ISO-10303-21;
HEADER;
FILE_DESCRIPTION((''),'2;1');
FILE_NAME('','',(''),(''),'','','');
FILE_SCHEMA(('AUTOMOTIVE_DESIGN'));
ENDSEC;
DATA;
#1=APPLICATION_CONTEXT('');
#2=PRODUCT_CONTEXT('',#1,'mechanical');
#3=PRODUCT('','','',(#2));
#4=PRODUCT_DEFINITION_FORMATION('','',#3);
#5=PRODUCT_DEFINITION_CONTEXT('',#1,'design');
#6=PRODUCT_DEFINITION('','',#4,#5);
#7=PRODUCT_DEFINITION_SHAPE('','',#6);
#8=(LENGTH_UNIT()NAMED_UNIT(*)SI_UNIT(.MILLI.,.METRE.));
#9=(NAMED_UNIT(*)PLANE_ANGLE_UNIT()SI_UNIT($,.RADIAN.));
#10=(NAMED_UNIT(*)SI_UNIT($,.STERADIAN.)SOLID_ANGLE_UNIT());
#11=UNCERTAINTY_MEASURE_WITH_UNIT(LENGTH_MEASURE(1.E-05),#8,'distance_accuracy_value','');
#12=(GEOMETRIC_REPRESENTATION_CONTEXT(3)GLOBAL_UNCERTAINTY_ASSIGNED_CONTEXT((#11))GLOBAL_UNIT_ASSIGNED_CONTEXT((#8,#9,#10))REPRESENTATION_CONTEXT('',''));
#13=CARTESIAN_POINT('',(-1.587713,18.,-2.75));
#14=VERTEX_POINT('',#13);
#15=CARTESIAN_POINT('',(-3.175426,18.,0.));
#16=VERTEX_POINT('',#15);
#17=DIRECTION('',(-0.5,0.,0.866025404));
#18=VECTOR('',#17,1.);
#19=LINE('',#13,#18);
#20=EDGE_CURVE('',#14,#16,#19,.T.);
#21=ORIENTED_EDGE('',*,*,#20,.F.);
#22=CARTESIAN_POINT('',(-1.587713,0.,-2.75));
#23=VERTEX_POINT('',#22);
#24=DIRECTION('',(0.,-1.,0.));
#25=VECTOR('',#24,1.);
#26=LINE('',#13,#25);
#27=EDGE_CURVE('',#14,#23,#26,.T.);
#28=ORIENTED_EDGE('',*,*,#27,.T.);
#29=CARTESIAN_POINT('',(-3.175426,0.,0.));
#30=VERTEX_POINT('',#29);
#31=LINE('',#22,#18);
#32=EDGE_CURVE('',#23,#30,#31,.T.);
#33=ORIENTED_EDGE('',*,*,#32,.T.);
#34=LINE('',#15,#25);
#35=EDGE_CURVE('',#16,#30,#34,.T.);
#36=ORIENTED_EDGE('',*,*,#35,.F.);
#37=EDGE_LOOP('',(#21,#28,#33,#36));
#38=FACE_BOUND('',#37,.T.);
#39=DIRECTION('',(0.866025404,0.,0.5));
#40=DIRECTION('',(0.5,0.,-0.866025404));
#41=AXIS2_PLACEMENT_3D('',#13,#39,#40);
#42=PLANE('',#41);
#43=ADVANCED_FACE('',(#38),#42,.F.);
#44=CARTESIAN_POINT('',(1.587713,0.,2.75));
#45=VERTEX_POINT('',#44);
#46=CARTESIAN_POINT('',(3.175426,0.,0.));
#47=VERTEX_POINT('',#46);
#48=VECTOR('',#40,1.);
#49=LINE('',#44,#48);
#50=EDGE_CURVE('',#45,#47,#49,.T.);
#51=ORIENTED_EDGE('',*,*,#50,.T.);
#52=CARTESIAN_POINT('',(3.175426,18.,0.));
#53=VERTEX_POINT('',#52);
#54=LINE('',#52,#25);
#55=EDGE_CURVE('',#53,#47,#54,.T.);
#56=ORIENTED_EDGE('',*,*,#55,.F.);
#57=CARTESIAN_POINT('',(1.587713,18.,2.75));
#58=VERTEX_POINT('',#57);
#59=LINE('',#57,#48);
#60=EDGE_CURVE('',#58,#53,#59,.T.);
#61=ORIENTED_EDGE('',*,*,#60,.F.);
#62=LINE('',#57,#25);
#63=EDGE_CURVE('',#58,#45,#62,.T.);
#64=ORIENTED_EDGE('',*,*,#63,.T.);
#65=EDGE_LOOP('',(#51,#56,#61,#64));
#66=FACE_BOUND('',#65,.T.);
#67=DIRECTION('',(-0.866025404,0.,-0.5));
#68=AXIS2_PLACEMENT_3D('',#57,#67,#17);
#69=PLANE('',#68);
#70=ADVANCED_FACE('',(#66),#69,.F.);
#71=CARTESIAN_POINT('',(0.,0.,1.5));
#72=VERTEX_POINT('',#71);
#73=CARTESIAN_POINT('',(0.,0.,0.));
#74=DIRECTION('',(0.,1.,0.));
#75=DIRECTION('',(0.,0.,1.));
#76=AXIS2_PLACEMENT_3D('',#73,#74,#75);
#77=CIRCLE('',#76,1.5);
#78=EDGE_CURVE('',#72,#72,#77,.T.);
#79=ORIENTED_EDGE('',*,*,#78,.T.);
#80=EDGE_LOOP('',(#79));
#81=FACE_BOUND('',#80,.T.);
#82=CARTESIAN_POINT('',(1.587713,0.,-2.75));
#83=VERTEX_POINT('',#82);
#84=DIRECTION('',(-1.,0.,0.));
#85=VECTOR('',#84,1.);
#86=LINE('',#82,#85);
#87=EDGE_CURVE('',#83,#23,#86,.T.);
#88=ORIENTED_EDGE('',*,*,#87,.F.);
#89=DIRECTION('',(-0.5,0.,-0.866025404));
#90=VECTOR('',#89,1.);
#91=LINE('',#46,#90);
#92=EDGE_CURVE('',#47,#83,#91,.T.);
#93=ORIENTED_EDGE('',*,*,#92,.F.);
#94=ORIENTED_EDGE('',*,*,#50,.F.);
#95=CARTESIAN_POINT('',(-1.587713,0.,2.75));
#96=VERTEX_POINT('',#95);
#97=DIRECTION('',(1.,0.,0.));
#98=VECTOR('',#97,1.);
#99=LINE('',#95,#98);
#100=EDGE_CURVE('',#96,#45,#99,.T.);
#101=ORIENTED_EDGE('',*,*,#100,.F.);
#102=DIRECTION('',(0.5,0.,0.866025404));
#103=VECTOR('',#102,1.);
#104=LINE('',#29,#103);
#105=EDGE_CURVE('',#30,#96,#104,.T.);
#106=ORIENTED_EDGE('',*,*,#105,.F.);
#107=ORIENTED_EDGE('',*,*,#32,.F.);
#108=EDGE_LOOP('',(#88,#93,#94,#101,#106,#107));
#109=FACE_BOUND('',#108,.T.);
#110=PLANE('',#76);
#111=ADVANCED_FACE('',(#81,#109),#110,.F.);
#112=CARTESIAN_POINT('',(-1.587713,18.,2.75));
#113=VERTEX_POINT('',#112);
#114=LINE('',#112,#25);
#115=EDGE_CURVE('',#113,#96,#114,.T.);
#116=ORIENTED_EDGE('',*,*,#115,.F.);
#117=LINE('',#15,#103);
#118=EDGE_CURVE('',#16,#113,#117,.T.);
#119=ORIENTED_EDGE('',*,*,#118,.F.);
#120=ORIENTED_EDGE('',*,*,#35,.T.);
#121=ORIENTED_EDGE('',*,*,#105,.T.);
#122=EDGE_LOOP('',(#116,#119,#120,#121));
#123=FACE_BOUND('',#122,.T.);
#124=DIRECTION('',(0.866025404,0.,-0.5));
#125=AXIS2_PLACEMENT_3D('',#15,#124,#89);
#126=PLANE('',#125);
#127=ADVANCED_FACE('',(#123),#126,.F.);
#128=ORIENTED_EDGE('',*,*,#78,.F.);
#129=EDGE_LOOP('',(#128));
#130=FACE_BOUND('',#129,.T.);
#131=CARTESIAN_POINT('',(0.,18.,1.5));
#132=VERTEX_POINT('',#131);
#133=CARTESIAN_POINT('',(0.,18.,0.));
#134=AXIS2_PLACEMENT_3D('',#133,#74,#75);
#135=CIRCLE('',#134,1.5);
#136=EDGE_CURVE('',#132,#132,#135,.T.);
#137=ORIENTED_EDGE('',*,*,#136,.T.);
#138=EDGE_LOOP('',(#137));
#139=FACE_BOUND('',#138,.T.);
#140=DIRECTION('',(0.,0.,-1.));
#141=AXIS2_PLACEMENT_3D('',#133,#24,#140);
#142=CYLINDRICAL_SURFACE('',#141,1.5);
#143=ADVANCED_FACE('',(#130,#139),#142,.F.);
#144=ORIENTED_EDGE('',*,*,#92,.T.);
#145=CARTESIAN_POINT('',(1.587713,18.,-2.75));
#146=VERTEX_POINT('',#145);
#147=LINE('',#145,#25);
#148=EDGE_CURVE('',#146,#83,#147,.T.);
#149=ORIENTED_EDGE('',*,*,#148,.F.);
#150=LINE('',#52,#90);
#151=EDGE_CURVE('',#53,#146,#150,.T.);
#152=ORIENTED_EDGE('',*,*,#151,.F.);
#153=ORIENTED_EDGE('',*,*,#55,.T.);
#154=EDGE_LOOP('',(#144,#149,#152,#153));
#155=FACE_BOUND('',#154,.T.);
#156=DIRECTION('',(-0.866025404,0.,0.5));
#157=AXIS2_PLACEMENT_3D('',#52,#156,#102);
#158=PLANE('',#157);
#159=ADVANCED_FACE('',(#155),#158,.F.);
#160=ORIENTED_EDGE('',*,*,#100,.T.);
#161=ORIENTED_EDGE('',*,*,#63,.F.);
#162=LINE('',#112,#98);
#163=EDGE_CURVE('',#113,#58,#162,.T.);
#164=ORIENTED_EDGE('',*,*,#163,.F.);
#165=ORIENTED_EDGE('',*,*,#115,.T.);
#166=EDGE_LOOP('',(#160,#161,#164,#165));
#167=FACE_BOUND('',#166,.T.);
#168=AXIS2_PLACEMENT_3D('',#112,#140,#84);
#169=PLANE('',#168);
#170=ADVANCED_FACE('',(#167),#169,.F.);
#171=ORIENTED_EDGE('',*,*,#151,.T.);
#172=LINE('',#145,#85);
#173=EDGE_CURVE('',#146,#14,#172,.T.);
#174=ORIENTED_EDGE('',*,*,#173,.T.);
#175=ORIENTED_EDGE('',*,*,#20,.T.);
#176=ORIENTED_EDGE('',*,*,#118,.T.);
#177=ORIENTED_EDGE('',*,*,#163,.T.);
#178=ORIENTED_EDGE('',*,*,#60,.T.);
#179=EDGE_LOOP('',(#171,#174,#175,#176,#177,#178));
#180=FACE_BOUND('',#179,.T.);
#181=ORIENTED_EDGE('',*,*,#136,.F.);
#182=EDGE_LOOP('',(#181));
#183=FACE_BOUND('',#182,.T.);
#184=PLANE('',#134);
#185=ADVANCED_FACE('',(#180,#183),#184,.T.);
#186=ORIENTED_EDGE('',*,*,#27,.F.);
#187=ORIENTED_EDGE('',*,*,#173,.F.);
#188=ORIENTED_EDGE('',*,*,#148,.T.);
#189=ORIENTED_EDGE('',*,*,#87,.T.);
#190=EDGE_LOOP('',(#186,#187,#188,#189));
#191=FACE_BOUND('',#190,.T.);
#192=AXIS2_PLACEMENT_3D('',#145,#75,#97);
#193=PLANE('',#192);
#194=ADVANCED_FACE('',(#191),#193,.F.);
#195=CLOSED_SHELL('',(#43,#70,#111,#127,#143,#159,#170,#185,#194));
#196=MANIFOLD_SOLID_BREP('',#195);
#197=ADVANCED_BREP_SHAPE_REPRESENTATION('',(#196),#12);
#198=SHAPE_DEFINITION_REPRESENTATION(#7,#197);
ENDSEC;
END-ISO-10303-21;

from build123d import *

# Parameters (mm, degrees)
SKETCH_1_R      = 1.5
EXTRUDE_1_DEPTH = 18


with BuildPart() as part:
    # 草图1 → 凸台-拉伸1 (new body)
    with BuildSketch(Plane(origin=(0, 0, 0), x_dir=(1, 0, 0), z_dir=(0, 1, 0))):
        Polygon((3.175426481, 0), (1.58771324, 2.75), (-1.58771324, 2.75), (-3.175426481, 0), (-1.58771324, -2.75), (1.58771324, -2.75), align=None)
        with Locations(Location((0, 0, 0), (0, 0, 270))):
            Circle(SKETCH_1_R, mode=Mode.SUBTRACT)
    extrude(amount=EXTRUDE_1_DEPTH)


solid = part.part
